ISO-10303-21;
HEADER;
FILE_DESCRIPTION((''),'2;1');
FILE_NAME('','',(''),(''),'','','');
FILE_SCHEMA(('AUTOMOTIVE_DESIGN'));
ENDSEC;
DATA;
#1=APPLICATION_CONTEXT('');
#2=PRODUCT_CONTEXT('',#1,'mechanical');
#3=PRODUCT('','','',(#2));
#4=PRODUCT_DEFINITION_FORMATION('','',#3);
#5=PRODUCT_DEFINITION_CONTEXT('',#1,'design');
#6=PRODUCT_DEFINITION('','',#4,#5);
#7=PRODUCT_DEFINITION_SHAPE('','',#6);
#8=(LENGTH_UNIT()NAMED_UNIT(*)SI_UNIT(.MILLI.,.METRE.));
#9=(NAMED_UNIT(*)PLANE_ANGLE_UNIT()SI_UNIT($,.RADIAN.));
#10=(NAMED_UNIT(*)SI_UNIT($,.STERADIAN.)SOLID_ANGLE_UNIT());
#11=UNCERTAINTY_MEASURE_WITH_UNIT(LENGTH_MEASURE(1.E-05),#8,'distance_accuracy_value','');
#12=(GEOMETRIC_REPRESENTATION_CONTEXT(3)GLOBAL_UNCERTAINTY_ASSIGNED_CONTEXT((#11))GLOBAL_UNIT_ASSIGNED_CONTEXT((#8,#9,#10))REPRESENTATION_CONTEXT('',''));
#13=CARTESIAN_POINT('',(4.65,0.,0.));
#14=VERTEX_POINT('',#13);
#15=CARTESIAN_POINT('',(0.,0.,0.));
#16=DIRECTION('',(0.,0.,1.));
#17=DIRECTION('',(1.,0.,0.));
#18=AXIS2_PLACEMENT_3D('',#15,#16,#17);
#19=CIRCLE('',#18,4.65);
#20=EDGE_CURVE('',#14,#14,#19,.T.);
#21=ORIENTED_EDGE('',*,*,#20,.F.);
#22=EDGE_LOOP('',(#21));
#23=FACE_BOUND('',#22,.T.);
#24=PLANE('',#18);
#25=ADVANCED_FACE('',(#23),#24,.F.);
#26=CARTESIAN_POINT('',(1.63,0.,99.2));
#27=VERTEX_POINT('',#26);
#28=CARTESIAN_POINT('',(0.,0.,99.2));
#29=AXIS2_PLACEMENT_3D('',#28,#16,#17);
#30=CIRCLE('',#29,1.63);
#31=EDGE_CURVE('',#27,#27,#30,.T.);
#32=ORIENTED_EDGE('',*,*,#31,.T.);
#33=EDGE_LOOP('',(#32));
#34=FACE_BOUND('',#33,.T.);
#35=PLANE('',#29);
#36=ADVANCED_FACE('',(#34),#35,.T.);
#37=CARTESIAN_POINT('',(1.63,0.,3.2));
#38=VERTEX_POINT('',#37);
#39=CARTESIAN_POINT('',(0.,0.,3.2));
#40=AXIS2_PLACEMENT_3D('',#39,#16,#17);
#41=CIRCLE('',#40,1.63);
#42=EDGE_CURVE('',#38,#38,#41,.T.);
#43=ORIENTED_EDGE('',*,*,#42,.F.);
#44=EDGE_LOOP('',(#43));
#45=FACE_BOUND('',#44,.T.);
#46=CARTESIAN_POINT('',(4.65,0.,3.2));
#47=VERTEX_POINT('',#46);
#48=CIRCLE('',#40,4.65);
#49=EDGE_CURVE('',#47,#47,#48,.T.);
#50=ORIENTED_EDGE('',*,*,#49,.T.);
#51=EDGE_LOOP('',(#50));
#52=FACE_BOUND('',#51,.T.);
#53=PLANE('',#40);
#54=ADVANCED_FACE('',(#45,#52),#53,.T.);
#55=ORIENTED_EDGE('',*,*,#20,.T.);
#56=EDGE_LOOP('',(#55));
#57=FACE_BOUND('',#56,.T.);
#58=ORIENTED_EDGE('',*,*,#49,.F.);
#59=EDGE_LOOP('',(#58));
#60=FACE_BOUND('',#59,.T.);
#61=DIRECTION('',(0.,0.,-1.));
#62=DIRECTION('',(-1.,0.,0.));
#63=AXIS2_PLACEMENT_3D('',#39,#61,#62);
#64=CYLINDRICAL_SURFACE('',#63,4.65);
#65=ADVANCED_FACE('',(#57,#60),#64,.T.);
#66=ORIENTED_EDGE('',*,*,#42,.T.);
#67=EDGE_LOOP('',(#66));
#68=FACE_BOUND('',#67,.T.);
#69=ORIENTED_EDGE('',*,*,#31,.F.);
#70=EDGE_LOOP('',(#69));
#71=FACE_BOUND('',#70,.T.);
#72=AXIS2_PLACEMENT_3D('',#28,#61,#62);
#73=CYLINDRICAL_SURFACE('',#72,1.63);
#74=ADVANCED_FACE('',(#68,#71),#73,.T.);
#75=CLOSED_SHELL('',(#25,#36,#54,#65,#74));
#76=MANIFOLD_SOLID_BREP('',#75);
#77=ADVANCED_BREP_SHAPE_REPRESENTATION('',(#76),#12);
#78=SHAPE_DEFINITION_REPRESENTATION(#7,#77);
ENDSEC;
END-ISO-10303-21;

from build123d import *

# Parameters (mm, degrees)
SKETCH1_R           = 4.65
BOSS_EXTRUDE1_DEPTH = 3.2
SKETCH2_R           = 1.63
BOSS_EXTRUDE2_DEPTH = 96


with BuildPart() as part:
    # Sketch1 → Boss-Extrude1 (new body)
    with BuildSketch(Plane.XY):
        Circle(SKETCH1_R)
    extrude(amount=BOSS_EXTRUDE1_DEPTH)

    # Sketch2 → Boss-Extrude2 (add)
    with BuildSketch(Plane.XY.offset(3.2)):
        Circle(SKETCH2_R)
    extrude(amount=BOSS_EXTRUDE2_DEPTH)


solid = part.part
